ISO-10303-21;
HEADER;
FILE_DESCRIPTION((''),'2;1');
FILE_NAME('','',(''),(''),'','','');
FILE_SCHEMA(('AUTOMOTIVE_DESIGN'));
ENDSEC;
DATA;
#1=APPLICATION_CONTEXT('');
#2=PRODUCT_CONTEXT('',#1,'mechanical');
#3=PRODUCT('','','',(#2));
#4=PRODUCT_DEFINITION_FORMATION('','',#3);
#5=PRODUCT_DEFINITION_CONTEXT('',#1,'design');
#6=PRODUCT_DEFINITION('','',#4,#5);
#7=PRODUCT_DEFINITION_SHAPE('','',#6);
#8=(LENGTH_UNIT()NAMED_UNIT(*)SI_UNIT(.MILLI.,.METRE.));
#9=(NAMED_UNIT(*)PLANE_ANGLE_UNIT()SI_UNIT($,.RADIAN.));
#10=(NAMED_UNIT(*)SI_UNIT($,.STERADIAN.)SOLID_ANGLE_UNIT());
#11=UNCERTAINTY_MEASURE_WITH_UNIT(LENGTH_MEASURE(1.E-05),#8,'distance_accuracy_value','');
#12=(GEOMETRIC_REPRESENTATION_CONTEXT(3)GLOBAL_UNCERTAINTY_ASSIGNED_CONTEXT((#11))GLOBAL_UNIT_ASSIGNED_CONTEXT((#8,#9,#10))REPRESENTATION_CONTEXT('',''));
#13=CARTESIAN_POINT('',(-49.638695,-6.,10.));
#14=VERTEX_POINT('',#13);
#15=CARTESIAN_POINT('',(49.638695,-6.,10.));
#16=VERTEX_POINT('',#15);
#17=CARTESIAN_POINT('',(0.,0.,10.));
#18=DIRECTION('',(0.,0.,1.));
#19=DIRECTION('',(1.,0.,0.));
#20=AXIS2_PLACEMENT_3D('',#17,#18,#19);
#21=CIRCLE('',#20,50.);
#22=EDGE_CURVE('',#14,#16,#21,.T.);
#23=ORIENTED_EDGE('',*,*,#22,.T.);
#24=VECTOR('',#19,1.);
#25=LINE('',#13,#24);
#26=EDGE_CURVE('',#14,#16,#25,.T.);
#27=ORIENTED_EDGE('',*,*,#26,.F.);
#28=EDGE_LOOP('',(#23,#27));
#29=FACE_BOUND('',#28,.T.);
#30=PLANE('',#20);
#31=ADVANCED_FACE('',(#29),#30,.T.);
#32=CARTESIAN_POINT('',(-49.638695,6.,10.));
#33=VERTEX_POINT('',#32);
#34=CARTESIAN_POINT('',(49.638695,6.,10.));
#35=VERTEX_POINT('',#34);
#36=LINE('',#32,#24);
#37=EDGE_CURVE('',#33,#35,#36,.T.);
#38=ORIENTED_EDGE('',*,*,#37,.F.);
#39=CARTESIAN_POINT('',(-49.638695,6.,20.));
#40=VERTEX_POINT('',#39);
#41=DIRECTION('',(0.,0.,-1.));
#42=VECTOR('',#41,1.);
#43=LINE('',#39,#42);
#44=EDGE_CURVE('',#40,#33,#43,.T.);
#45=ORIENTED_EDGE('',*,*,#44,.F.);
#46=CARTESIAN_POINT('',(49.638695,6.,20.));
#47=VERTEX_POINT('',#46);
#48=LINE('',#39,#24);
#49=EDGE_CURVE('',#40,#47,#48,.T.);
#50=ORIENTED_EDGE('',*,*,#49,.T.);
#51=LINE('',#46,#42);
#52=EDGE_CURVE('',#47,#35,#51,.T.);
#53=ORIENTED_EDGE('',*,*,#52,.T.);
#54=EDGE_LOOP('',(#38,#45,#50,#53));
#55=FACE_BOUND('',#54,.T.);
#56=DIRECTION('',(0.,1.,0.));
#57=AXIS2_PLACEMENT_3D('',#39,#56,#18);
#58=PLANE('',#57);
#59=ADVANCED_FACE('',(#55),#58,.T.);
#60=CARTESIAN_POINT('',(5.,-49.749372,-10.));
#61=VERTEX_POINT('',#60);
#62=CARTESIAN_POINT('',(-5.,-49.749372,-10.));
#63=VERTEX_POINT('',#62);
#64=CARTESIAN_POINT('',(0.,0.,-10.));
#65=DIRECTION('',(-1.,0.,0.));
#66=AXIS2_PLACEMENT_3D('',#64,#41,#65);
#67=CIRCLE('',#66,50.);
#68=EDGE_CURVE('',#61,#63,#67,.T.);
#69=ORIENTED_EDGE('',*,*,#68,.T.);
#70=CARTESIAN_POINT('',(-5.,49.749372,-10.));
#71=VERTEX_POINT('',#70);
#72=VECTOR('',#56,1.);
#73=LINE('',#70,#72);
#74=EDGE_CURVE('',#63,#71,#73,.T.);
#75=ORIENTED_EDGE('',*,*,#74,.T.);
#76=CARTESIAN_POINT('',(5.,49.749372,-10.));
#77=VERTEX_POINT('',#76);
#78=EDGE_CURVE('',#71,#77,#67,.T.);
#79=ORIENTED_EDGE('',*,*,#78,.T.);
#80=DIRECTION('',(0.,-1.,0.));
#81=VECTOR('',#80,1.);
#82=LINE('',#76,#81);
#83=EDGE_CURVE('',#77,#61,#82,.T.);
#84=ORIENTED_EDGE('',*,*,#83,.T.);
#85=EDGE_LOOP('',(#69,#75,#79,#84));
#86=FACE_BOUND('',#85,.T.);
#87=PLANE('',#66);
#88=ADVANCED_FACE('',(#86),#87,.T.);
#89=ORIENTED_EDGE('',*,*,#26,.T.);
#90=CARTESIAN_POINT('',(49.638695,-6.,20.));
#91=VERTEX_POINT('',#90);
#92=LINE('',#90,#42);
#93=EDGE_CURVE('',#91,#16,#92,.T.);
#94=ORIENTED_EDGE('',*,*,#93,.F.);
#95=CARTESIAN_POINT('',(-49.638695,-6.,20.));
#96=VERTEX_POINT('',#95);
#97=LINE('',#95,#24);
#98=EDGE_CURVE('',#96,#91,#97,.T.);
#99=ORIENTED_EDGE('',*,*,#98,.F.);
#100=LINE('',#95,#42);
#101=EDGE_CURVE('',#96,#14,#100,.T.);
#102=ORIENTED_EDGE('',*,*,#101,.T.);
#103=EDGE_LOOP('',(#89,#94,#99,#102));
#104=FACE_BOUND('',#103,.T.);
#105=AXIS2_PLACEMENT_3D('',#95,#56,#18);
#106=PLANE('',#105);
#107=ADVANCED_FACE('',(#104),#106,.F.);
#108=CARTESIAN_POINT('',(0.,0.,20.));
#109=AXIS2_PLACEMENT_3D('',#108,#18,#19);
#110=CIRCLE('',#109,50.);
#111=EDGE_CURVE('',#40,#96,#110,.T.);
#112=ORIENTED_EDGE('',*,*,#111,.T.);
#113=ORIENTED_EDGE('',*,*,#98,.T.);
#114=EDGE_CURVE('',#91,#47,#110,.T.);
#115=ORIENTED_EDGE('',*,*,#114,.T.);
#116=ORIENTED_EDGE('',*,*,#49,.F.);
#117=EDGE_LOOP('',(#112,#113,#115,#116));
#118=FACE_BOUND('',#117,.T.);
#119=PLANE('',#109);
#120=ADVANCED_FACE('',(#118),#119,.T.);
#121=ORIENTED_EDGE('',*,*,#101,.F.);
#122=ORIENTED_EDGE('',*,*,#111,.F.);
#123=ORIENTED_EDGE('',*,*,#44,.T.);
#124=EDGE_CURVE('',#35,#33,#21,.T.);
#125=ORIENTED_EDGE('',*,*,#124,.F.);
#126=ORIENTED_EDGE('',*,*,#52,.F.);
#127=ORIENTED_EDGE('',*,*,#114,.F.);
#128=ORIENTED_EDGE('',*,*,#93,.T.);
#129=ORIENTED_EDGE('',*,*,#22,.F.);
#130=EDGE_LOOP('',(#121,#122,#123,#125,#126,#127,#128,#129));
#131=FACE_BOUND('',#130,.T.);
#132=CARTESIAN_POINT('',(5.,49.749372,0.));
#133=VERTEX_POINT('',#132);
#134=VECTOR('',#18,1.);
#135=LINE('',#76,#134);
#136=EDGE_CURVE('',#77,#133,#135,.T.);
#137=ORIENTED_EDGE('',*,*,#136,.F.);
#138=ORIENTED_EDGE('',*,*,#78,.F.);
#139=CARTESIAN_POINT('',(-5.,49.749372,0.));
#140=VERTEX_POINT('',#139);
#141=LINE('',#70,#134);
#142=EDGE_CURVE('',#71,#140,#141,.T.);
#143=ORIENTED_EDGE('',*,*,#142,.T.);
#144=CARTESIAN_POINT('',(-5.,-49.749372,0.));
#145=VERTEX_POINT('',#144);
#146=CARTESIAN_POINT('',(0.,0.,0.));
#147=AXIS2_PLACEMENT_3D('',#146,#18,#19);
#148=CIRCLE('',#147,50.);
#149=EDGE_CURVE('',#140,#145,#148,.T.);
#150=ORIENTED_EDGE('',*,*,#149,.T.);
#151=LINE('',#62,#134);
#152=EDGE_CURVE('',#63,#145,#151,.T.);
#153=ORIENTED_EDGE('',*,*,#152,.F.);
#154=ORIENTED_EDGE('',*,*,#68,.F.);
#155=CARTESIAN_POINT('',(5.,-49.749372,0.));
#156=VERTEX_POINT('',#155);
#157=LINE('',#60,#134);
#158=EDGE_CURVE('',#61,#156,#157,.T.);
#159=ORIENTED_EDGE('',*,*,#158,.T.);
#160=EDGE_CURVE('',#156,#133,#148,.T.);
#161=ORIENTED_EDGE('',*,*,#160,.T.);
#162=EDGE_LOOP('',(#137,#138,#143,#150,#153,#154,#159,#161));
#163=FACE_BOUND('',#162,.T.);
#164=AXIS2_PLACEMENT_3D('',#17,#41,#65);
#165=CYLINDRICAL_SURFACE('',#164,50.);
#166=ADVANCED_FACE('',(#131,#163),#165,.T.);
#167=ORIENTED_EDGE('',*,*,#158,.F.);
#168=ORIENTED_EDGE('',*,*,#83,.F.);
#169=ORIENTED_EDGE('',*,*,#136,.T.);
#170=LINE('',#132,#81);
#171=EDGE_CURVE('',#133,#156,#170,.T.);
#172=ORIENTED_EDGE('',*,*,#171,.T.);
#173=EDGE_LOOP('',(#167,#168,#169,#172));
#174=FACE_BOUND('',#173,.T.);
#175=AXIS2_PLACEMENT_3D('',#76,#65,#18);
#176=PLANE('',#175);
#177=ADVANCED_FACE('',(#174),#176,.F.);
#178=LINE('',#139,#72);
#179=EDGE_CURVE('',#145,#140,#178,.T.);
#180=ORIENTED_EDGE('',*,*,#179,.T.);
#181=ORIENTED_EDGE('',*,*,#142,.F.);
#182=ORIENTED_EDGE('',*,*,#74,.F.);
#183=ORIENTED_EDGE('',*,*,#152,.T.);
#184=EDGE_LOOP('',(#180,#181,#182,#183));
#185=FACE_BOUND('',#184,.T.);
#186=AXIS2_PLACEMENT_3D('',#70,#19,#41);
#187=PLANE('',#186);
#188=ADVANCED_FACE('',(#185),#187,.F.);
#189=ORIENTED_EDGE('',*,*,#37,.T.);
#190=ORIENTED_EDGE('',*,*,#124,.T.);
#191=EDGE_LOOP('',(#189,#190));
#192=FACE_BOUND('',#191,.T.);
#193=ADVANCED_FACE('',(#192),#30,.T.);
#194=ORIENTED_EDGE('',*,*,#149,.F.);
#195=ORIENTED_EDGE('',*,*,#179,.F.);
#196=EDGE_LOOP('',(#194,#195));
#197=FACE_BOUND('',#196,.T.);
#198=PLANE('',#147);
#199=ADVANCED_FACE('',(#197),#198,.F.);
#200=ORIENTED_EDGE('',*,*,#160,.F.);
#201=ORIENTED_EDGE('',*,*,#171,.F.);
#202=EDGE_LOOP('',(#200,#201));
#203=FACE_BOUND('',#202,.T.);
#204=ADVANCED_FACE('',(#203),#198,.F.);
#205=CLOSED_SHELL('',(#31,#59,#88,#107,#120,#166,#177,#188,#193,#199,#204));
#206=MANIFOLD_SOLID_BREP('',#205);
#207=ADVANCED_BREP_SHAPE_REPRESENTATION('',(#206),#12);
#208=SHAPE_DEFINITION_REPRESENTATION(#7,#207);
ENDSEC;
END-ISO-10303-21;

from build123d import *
from build123d.topology import SkipClean

# Parameters (mm, degrees)
SKETCH1_R           = 50
BOSS_EXTRUDE1_DEPTH = 10
BOSS_EXTRUDE2_DEPTH = 10
BOSS_EXTRUDE3_START = 10
BOSS_EXTRUDE3_DEPTH = 10


with BuildPart() as part:
    # Sketch1 → Boss-Extrude1 (new body)
    with BuildSketch(Plane.XY):
        Circle(SKETCH1_R)
    extrude(amount=BOSS_EXTRUDE1_DEPTH)

    # Sketch2 → Boss-Extrude2 (add)
    with SkipClean():  # the faces are left unmerged after this step: merging them gives an invalid solid
        with BuildSketch(Plane.XY.offset(10)):
            with BuildLine():
                Line((-49.638694584, 6), (49.638694584, 6))
                ThreePointArc((49.638694584, 6), (50, 0), (49.638694584, -6))
                Line((49.638694584, -6), (-49.638694584, -6))
                ThreePointArc((-49.638694584, -6), (-50, 0), (-49.638694584, 6))
            make_face()
        extrude(amount=BOSS_EXTRUDE2_DEPTH)

    # Sketch3 → Boss-Extrude3 (add)
    with SkipClean():  # the faces are left unmerged after this step: merging them gives an invalid solid
        with BuildSketch(Plane(origin=(0, 0, 0), x_dir=(-1, 0, 0), z_dir=(0, 0, -1)).offset(BOSS_EXTRUDE3_START)):
            with BuildLine():
                Line((-5, 49.749371855), (-5, -49.749371855))
                ThreePointArc((-5, -49.749371855), (0, -50), (5, -49.749371855))
                Line((5, -49.749371855), (5, 49.749371855))
                ThreePointArc((5, 49.749371855), (0, 50), (-5, 49.749371855))
            make_face()
        extrude(amount=-BOSS_EXTRUDE3_DEPTH)


solid = part.part
